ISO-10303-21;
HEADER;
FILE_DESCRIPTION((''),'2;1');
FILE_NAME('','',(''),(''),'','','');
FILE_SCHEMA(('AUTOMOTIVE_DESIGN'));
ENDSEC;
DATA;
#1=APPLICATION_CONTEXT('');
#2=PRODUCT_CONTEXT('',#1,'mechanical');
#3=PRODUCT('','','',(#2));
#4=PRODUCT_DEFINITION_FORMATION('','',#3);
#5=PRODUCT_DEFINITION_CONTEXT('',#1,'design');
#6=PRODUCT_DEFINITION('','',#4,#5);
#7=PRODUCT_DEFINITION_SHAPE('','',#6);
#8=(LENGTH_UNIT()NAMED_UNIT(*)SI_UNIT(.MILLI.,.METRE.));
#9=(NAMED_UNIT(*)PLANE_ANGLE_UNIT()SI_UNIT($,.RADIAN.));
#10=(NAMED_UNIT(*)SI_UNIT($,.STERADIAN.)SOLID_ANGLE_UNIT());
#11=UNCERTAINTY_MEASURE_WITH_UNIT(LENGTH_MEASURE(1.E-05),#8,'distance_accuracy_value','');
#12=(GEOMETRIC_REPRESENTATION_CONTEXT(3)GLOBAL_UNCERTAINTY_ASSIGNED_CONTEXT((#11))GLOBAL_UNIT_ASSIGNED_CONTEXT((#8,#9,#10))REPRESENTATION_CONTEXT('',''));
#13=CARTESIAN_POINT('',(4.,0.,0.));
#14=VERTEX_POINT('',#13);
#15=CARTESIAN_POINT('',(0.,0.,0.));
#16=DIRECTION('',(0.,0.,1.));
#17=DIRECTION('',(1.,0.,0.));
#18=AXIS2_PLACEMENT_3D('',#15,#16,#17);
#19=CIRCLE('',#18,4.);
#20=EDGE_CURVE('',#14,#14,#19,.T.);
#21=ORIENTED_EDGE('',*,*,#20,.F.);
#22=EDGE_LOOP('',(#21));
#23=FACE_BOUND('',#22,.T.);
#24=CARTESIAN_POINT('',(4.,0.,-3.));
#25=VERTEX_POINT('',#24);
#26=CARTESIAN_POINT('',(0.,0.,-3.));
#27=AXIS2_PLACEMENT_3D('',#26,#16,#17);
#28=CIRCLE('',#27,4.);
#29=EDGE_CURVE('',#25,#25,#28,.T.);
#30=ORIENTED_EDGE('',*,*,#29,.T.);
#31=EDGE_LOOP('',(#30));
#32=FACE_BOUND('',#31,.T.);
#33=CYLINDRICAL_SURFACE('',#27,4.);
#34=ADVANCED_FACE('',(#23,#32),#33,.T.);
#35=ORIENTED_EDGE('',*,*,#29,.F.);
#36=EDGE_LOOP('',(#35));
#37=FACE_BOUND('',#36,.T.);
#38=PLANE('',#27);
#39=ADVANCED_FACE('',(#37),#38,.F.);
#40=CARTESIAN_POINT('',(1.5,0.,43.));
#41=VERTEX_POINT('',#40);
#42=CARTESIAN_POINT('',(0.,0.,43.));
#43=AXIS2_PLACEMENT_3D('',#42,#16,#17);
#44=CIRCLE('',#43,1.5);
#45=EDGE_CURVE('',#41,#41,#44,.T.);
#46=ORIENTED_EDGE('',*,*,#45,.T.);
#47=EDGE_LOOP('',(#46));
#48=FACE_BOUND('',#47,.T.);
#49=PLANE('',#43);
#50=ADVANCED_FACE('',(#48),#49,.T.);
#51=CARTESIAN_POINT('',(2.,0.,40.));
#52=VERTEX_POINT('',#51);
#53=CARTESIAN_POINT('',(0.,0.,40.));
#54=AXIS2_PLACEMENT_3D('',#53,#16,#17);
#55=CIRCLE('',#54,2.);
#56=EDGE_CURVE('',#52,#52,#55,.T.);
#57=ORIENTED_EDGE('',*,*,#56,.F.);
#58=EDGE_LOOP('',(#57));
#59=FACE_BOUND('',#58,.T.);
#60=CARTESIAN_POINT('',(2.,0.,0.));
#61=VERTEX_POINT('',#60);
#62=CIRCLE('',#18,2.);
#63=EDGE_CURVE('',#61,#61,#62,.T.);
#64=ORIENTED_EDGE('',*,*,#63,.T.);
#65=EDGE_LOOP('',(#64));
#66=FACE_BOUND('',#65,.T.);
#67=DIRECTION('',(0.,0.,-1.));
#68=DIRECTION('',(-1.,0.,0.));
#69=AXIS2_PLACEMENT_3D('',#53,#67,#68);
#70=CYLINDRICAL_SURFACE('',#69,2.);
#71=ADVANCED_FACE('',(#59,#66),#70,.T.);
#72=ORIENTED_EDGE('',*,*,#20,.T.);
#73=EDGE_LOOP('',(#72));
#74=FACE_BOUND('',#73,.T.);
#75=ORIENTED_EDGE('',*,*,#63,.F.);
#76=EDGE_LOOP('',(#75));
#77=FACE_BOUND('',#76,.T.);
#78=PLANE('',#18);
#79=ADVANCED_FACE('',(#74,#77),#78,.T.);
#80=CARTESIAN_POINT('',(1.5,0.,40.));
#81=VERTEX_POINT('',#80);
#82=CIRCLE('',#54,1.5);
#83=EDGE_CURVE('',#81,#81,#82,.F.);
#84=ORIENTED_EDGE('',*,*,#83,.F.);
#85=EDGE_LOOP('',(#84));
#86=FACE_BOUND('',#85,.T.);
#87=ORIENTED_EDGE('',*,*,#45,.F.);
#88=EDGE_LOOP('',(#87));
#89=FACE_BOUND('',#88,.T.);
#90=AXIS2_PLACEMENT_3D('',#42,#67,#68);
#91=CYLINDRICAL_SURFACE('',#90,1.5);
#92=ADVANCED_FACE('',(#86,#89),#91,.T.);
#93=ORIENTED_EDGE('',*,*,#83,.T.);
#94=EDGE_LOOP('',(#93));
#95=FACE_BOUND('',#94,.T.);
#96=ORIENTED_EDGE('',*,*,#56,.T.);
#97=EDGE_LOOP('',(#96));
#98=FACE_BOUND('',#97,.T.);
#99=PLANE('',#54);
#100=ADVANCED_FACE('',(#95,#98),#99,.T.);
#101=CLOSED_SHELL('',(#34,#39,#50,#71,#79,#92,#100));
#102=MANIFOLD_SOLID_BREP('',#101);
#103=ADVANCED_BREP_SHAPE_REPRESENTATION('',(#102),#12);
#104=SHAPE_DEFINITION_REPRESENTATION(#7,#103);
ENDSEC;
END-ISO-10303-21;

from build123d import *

# Parameters (mm, degrees)
SKETCH1_R           = 2
BOSS_EXTRUDE1_DEPTH = 40
SKETCH3_R           = 1.5
BOSS_EXTRUDE2_DEPTH = 43
SKETCH4_R           = 4
BOSS_EXTRUDE3_DEPTH = 3


with BuildPart() as part:
    # Sketch1 → Boss-Extrude1 (new body)
    with BuildSketch(Plane.XY):
        Circle(SKETCH1_R)
    extrude(amount=BOSS_EXTRUDE1_DEPTH)

    # Sketch3 → Boss-Extrude2 (add)
    with BuildSketch(Plane.XY):
        Circle(SKETCH3_R)
    extrude(amount=BOSS_EXTRUDE2_DEPTH)

    # Sketch4 → Boss-Extrude3 (add)
    with BuildSketch(Plane.XY):
        Circle(SKETCH4_R)
    extrude(amount=-BOSS_EXTRUDE3_DEPTH)


solid = part.part
